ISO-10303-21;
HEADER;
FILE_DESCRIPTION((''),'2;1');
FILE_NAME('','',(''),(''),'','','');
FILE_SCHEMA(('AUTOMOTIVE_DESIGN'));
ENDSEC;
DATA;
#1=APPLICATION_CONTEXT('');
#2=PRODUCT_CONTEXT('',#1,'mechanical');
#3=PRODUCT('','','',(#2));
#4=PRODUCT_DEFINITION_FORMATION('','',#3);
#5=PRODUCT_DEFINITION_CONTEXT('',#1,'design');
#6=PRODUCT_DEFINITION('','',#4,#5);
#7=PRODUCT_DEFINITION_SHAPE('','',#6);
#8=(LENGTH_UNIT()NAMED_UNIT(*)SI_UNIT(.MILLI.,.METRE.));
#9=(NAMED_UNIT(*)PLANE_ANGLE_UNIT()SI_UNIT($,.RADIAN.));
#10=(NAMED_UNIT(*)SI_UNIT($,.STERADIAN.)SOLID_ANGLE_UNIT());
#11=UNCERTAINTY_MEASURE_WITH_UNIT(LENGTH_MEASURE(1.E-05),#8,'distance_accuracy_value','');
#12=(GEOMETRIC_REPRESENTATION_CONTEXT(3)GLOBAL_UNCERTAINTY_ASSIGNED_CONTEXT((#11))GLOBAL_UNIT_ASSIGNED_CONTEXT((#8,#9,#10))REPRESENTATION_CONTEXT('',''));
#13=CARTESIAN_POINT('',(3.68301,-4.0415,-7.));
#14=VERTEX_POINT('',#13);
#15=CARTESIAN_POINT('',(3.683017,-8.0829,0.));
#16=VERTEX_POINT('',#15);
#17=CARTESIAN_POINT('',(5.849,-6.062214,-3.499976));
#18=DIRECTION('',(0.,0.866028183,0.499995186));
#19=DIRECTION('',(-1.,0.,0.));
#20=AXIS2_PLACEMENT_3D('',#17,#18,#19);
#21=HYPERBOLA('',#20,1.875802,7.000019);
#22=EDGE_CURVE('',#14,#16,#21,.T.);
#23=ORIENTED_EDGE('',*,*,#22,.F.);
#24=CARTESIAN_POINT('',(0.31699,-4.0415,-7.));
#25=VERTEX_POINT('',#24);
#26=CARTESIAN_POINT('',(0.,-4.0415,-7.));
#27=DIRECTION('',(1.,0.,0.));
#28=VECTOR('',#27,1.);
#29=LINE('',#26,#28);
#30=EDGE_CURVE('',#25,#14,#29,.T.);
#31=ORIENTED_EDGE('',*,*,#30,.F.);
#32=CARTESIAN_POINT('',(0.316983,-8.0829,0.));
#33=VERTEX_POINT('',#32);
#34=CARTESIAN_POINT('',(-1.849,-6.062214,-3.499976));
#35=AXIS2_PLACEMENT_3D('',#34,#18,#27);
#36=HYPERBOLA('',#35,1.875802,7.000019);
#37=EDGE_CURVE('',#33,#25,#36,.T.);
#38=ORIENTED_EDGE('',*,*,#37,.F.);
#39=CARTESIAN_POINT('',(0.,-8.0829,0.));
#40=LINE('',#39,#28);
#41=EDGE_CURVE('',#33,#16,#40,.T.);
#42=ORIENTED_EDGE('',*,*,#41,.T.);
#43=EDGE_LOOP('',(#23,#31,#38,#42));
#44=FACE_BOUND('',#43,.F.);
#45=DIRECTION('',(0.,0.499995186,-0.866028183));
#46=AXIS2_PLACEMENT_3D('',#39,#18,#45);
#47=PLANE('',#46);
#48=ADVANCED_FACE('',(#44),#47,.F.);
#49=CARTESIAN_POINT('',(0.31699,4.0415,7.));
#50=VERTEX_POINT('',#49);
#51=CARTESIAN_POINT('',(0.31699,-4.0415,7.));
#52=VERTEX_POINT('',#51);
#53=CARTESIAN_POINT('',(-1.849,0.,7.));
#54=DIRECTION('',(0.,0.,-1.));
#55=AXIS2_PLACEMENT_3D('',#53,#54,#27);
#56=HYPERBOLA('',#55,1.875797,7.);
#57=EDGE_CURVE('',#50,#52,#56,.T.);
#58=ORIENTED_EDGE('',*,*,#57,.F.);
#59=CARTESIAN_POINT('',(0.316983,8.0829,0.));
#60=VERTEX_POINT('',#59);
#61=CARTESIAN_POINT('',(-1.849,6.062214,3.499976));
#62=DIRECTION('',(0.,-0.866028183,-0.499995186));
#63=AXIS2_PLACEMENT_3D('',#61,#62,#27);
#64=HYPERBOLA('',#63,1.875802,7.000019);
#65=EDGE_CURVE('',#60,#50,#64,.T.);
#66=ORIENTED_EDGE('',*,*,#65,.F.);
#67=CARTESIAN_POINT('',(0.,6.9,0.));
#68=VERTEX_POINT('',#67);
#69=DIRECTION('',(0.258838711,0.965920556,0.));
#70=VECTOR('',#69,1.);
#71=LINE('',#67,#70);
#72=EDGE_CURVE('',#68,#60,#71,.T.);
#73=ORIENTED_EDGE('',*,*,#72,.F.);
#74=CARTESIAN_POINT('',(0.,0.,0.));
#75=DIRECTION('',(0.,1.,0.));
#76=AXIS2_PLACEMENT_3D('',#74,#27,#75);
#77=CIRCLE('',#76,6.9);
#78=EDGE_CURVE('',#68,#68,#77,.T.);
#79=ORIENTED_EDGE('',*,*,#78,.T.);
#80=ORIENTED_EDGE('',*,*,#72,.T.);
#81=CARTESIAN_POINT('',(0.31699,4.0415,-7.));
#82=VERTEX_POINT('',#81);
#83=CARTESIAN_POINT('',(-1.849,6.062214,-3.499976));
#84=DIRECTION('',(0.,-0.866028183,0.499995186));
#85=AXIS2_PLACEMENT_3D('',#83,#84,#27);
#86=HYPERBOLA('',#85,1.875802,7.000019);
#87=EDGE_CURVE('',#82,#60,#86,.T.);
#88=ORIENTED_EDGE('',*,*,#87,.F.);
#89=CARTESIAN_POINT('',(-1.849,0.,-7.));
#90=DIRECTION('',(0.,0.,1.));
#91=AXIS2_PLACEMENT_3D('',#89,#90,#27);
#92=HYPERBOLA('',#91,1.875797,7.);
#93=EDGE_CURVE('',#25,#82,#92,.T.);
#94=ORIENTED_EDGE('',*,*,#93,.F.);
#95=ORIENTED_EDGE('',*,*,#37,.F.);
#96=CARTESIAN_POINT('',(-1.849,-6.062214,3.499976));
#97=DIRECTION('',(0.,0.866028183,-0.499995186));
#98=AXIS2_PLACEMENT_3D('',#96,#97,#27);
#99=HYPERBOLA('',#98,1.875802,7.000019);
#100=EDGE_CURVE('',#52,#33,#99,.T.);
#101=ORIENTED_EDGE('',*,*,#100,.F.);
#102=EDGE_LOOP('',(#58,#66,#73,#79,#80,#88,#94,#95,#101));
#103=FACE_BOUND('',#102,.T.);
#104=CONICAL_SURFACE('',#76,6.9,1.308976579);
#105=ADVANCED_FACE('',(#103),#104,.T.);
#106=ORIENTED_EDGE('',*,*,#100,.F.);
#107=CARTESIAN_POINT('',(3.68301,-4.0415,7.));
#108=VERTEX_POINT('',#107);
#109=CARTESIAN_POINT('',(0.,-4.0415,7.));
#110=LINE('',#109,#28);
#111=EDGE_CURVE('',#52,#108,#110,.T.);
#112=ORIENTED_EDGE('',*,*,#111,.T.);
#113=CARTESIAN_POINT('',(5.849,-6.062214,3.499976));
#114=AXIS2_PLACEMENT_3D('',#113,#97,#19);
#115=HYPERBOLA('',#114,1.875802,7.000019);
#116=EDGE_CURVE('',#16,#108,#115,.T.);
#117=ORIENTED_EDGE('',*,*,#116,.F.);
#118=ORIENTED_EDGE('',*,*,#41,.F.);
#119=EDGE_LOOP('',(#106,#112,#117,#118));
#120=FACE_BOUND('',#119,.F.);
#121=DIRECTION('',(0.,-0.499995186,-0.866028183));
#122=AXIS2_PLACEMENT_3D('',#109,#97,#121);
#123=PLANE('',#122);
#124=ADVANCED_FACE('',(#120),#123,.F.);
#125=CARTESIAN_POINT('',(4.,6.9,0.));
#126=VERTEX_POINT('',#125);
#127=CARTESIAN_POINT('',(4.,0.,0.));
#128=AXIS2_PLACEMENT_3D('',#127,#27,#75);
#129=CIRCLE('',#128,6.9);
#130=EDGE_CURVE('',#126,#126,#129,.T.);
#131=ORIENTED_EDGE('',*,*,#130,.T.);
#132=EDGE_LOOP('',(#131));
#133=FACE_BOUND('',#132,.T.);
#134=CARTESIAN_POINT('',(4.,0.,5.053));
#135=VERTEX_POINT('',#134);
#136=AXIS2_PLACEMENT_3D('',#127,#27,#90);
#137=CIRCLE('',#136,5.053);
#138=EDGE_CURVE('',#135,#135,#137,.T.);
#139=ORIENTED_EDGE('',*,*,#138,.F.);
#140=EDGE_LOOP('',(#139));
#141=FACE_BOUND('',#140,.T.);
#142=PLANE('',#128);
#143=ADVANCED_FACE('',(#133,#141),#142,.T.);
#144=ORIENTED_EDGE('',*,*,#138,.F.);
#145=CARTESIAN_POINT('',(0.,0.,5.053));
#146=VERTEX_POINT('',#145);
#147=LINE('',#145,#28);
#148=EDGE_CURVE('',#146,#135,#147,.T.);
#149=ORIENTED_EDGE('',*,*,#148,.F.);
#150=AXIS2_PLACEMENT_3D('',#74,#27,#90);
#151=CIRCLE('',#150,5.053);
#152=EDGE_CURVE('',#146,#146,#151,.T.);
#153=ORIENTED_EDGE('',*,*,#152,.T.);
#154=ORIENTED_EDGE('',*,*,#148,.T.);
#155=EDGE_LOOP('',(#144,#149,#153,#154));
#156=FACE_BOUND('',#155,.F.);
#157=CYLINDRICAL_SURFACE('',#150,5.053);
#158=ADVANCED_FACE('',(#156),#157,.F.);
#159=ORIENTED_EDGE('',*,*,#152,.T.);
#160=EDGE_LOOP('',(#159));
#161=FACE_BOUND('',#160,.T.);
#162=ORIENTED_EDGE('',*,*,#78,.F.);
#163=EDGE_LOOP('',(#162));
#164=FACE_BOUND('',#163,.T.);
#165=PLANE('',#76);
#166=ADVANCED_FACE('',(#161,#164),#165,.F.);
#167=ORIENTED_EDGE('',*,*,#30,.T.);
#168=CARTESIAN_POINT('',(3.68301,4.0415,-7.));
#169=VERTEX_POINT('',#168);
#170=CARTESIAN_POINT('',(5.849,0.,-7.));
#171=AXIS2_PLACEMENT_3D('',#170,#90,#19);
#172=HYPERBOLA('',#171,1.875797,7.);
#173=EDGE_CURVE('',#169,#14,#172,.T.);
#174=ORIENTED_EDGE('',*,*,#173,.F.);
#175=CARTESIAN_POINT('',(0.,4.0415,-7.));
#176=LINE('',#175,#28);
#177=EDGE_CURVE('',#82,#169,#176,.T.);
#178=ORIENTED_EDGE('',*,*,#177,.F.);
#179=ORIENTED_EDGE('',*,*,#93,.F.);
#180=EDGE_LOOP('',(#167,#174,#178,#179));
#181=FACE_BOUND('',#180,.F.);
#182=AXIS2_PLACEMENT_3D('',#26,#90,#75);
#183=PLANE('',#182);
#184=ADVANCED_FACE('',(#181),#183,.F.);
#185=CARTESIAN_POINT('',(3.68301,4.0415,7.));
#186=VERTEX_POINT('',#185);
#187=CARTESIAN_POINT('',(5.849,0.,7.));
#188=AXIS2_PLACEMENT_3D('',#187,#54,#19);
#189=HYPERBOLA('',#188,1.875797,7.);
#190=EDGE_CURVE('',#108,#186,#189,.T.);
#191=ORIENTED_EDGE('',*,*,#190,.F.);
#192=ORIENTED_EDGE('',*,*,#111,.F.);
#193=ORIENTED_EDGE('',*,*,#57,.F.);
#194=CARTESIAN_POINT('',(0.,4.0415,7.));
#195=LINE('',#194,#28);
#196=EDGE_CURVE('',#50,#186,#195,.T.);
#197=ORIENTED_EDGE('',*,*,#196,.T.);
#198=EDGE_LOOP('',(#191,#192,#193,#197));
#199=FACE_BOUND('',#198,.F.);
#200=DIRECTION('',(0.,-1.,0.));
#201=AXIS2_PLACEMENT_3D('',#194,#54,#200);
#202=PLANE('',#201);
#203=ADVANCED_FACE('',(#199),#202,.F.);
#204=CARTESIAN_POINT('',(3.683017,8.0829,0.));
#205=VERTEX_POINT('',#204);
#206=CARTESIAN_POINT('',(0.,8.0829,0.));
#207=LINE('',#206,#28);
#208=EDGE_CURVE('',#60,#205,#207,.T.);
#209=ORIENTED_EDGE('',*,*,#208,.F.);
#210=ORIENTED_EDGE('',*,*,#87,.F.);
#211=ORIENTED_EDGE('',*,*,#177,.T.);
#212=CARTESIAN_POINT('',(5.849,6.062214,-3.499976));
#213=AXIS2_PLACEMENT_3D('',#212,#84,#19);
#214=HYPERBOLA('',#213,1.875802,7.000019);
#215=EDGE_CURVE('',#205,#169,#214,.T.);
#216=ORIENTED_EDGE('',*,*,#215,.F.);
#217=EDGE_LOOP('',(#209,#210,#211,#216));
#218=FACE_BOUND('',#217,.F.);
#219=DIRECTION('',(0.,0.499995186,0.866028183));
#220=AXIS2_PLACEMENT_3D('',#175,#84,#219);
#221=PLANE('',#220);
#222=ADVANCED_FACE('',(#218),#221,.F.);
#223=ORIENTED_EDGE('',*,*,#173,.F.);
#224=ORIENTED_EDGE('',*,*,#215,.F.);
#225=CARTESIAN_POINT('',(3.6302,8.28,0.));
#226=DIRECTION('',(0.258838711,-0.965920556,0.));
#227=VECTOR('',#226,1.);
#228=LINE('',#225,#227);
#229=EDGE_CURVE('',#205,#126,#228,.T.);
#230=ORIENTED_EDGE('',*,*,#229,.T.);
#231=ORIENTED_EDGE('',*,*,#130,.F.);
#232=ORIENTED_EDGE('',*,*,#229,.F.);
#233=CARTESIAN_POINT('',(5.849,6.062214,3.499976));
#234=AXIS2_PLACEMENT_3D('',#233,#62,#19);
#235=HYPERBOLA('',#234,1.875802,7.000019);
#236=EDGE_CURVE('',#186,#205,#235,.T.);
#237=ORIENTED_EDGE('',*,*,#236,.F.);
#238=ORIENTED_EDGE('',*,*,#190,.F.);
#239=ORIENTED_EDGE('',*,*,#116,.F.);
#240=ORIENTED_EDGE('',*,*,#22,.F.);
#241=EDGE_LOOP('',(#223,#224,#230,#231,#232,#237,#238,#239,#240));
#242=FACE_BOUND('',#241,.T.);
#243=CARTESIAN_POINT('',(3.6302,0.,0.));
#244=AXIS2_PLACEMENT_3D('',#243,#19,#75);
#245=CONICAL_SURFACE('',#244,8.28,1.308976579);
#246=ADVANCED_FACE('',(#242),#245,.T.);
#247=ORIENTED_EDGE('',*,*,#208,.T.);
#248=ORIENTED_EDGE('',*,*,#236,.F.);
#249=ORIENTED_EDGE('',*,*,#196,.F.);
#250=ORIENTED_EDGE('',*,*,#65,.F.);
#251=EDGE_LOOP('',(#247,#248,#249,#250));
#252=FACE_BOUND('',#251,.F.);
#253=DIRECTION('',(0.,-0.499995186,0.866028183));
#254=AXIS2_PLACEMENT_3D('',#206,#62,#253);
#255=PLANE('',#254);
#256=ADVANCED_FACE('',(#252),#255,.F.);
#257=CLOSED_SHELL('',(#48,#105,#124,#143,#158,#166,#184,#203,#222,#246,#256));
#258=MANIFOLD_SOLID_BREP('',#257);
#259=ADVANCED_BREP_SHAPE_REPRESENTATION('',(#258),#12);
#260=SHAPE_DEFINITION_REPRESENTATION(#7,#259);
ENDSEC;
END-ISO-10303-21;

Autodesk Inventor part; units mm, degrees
sketch "Sketch_1" plane through (0, 0, 0) normal (0, 0, 1) x (1, 0, 0)
  line L0 (4, 0) -> (0, 0)
  line L1 (0, 0) -> (0, 6.9)
  line L2 (0, 6.9) -> (0.3698, 8.28)
  line L3 (0.3698, 8.28) -> (3.6302, 8.28)
  line L4 (3.6302, 8.28) -> (4, 6.9)
  line L5 (4, 6.9) -> (4, 0)
  line L6 (4, 0) -> (0, 0)
revolve "Revolution1" add sketch "Sketch_1" angle 360 about axis through (4, 0, 0) along (1, 0, 0)
sketch "Sketch2" plane through (0, 0, 0) normal (-1, 0, 0) x (0, 0, 1)
  point P0 (0, 0)
hole "Hole1" at (0, 0, 0) direction (1, 0, 0) diameter 10.106 depth 4 thread size "M12x1.75" class "6H" standard "ISO Metric profile"
sketch "Sketch_3" plane through (0, 0, 0) normal (1, 0, 0) x (0, 1, 0)
  line L0 (14, 14) -> (-14, 14)
  line L1 (-14, 14) -> (-14, -14)
  line L2 (-14, -14) -> (14, -14)
  line L3 (14, -14) -> (14, 14)
  line L4 (-4.0415, 7) -> (-8.0829, 0)
  line L5 (-8.0829, 0) -> (-4.0415, -7)
  line L6 (-4.0415, -7) -> (4.0415, -7)
  line L7 (4.0415, -7) -> (8.0829, 0)
  line L8 (8.0829, 0) -> (4.0415, 7)
  line L9 (4.0415, 7) -> (-4.0415, 7)
extrude "Extrusion1" cut sketch "Sketch_3" along normal blind 4
ref_plane "IP_Holder_XY" through (0, 0, 0) normal (-1, 0, 0) x (0, 0, -1)
ref_plane "IP_Holder_YZ" through (0, 0, 0) normal (0, 0, -1) x (0, -1, 0)
ref_plane "IP_Holder_ZX" through (0, 0, 0) normal (0, -1, 0) x (-1, 0, 0)
properties part number "MN12P1(MNF12P1)"
